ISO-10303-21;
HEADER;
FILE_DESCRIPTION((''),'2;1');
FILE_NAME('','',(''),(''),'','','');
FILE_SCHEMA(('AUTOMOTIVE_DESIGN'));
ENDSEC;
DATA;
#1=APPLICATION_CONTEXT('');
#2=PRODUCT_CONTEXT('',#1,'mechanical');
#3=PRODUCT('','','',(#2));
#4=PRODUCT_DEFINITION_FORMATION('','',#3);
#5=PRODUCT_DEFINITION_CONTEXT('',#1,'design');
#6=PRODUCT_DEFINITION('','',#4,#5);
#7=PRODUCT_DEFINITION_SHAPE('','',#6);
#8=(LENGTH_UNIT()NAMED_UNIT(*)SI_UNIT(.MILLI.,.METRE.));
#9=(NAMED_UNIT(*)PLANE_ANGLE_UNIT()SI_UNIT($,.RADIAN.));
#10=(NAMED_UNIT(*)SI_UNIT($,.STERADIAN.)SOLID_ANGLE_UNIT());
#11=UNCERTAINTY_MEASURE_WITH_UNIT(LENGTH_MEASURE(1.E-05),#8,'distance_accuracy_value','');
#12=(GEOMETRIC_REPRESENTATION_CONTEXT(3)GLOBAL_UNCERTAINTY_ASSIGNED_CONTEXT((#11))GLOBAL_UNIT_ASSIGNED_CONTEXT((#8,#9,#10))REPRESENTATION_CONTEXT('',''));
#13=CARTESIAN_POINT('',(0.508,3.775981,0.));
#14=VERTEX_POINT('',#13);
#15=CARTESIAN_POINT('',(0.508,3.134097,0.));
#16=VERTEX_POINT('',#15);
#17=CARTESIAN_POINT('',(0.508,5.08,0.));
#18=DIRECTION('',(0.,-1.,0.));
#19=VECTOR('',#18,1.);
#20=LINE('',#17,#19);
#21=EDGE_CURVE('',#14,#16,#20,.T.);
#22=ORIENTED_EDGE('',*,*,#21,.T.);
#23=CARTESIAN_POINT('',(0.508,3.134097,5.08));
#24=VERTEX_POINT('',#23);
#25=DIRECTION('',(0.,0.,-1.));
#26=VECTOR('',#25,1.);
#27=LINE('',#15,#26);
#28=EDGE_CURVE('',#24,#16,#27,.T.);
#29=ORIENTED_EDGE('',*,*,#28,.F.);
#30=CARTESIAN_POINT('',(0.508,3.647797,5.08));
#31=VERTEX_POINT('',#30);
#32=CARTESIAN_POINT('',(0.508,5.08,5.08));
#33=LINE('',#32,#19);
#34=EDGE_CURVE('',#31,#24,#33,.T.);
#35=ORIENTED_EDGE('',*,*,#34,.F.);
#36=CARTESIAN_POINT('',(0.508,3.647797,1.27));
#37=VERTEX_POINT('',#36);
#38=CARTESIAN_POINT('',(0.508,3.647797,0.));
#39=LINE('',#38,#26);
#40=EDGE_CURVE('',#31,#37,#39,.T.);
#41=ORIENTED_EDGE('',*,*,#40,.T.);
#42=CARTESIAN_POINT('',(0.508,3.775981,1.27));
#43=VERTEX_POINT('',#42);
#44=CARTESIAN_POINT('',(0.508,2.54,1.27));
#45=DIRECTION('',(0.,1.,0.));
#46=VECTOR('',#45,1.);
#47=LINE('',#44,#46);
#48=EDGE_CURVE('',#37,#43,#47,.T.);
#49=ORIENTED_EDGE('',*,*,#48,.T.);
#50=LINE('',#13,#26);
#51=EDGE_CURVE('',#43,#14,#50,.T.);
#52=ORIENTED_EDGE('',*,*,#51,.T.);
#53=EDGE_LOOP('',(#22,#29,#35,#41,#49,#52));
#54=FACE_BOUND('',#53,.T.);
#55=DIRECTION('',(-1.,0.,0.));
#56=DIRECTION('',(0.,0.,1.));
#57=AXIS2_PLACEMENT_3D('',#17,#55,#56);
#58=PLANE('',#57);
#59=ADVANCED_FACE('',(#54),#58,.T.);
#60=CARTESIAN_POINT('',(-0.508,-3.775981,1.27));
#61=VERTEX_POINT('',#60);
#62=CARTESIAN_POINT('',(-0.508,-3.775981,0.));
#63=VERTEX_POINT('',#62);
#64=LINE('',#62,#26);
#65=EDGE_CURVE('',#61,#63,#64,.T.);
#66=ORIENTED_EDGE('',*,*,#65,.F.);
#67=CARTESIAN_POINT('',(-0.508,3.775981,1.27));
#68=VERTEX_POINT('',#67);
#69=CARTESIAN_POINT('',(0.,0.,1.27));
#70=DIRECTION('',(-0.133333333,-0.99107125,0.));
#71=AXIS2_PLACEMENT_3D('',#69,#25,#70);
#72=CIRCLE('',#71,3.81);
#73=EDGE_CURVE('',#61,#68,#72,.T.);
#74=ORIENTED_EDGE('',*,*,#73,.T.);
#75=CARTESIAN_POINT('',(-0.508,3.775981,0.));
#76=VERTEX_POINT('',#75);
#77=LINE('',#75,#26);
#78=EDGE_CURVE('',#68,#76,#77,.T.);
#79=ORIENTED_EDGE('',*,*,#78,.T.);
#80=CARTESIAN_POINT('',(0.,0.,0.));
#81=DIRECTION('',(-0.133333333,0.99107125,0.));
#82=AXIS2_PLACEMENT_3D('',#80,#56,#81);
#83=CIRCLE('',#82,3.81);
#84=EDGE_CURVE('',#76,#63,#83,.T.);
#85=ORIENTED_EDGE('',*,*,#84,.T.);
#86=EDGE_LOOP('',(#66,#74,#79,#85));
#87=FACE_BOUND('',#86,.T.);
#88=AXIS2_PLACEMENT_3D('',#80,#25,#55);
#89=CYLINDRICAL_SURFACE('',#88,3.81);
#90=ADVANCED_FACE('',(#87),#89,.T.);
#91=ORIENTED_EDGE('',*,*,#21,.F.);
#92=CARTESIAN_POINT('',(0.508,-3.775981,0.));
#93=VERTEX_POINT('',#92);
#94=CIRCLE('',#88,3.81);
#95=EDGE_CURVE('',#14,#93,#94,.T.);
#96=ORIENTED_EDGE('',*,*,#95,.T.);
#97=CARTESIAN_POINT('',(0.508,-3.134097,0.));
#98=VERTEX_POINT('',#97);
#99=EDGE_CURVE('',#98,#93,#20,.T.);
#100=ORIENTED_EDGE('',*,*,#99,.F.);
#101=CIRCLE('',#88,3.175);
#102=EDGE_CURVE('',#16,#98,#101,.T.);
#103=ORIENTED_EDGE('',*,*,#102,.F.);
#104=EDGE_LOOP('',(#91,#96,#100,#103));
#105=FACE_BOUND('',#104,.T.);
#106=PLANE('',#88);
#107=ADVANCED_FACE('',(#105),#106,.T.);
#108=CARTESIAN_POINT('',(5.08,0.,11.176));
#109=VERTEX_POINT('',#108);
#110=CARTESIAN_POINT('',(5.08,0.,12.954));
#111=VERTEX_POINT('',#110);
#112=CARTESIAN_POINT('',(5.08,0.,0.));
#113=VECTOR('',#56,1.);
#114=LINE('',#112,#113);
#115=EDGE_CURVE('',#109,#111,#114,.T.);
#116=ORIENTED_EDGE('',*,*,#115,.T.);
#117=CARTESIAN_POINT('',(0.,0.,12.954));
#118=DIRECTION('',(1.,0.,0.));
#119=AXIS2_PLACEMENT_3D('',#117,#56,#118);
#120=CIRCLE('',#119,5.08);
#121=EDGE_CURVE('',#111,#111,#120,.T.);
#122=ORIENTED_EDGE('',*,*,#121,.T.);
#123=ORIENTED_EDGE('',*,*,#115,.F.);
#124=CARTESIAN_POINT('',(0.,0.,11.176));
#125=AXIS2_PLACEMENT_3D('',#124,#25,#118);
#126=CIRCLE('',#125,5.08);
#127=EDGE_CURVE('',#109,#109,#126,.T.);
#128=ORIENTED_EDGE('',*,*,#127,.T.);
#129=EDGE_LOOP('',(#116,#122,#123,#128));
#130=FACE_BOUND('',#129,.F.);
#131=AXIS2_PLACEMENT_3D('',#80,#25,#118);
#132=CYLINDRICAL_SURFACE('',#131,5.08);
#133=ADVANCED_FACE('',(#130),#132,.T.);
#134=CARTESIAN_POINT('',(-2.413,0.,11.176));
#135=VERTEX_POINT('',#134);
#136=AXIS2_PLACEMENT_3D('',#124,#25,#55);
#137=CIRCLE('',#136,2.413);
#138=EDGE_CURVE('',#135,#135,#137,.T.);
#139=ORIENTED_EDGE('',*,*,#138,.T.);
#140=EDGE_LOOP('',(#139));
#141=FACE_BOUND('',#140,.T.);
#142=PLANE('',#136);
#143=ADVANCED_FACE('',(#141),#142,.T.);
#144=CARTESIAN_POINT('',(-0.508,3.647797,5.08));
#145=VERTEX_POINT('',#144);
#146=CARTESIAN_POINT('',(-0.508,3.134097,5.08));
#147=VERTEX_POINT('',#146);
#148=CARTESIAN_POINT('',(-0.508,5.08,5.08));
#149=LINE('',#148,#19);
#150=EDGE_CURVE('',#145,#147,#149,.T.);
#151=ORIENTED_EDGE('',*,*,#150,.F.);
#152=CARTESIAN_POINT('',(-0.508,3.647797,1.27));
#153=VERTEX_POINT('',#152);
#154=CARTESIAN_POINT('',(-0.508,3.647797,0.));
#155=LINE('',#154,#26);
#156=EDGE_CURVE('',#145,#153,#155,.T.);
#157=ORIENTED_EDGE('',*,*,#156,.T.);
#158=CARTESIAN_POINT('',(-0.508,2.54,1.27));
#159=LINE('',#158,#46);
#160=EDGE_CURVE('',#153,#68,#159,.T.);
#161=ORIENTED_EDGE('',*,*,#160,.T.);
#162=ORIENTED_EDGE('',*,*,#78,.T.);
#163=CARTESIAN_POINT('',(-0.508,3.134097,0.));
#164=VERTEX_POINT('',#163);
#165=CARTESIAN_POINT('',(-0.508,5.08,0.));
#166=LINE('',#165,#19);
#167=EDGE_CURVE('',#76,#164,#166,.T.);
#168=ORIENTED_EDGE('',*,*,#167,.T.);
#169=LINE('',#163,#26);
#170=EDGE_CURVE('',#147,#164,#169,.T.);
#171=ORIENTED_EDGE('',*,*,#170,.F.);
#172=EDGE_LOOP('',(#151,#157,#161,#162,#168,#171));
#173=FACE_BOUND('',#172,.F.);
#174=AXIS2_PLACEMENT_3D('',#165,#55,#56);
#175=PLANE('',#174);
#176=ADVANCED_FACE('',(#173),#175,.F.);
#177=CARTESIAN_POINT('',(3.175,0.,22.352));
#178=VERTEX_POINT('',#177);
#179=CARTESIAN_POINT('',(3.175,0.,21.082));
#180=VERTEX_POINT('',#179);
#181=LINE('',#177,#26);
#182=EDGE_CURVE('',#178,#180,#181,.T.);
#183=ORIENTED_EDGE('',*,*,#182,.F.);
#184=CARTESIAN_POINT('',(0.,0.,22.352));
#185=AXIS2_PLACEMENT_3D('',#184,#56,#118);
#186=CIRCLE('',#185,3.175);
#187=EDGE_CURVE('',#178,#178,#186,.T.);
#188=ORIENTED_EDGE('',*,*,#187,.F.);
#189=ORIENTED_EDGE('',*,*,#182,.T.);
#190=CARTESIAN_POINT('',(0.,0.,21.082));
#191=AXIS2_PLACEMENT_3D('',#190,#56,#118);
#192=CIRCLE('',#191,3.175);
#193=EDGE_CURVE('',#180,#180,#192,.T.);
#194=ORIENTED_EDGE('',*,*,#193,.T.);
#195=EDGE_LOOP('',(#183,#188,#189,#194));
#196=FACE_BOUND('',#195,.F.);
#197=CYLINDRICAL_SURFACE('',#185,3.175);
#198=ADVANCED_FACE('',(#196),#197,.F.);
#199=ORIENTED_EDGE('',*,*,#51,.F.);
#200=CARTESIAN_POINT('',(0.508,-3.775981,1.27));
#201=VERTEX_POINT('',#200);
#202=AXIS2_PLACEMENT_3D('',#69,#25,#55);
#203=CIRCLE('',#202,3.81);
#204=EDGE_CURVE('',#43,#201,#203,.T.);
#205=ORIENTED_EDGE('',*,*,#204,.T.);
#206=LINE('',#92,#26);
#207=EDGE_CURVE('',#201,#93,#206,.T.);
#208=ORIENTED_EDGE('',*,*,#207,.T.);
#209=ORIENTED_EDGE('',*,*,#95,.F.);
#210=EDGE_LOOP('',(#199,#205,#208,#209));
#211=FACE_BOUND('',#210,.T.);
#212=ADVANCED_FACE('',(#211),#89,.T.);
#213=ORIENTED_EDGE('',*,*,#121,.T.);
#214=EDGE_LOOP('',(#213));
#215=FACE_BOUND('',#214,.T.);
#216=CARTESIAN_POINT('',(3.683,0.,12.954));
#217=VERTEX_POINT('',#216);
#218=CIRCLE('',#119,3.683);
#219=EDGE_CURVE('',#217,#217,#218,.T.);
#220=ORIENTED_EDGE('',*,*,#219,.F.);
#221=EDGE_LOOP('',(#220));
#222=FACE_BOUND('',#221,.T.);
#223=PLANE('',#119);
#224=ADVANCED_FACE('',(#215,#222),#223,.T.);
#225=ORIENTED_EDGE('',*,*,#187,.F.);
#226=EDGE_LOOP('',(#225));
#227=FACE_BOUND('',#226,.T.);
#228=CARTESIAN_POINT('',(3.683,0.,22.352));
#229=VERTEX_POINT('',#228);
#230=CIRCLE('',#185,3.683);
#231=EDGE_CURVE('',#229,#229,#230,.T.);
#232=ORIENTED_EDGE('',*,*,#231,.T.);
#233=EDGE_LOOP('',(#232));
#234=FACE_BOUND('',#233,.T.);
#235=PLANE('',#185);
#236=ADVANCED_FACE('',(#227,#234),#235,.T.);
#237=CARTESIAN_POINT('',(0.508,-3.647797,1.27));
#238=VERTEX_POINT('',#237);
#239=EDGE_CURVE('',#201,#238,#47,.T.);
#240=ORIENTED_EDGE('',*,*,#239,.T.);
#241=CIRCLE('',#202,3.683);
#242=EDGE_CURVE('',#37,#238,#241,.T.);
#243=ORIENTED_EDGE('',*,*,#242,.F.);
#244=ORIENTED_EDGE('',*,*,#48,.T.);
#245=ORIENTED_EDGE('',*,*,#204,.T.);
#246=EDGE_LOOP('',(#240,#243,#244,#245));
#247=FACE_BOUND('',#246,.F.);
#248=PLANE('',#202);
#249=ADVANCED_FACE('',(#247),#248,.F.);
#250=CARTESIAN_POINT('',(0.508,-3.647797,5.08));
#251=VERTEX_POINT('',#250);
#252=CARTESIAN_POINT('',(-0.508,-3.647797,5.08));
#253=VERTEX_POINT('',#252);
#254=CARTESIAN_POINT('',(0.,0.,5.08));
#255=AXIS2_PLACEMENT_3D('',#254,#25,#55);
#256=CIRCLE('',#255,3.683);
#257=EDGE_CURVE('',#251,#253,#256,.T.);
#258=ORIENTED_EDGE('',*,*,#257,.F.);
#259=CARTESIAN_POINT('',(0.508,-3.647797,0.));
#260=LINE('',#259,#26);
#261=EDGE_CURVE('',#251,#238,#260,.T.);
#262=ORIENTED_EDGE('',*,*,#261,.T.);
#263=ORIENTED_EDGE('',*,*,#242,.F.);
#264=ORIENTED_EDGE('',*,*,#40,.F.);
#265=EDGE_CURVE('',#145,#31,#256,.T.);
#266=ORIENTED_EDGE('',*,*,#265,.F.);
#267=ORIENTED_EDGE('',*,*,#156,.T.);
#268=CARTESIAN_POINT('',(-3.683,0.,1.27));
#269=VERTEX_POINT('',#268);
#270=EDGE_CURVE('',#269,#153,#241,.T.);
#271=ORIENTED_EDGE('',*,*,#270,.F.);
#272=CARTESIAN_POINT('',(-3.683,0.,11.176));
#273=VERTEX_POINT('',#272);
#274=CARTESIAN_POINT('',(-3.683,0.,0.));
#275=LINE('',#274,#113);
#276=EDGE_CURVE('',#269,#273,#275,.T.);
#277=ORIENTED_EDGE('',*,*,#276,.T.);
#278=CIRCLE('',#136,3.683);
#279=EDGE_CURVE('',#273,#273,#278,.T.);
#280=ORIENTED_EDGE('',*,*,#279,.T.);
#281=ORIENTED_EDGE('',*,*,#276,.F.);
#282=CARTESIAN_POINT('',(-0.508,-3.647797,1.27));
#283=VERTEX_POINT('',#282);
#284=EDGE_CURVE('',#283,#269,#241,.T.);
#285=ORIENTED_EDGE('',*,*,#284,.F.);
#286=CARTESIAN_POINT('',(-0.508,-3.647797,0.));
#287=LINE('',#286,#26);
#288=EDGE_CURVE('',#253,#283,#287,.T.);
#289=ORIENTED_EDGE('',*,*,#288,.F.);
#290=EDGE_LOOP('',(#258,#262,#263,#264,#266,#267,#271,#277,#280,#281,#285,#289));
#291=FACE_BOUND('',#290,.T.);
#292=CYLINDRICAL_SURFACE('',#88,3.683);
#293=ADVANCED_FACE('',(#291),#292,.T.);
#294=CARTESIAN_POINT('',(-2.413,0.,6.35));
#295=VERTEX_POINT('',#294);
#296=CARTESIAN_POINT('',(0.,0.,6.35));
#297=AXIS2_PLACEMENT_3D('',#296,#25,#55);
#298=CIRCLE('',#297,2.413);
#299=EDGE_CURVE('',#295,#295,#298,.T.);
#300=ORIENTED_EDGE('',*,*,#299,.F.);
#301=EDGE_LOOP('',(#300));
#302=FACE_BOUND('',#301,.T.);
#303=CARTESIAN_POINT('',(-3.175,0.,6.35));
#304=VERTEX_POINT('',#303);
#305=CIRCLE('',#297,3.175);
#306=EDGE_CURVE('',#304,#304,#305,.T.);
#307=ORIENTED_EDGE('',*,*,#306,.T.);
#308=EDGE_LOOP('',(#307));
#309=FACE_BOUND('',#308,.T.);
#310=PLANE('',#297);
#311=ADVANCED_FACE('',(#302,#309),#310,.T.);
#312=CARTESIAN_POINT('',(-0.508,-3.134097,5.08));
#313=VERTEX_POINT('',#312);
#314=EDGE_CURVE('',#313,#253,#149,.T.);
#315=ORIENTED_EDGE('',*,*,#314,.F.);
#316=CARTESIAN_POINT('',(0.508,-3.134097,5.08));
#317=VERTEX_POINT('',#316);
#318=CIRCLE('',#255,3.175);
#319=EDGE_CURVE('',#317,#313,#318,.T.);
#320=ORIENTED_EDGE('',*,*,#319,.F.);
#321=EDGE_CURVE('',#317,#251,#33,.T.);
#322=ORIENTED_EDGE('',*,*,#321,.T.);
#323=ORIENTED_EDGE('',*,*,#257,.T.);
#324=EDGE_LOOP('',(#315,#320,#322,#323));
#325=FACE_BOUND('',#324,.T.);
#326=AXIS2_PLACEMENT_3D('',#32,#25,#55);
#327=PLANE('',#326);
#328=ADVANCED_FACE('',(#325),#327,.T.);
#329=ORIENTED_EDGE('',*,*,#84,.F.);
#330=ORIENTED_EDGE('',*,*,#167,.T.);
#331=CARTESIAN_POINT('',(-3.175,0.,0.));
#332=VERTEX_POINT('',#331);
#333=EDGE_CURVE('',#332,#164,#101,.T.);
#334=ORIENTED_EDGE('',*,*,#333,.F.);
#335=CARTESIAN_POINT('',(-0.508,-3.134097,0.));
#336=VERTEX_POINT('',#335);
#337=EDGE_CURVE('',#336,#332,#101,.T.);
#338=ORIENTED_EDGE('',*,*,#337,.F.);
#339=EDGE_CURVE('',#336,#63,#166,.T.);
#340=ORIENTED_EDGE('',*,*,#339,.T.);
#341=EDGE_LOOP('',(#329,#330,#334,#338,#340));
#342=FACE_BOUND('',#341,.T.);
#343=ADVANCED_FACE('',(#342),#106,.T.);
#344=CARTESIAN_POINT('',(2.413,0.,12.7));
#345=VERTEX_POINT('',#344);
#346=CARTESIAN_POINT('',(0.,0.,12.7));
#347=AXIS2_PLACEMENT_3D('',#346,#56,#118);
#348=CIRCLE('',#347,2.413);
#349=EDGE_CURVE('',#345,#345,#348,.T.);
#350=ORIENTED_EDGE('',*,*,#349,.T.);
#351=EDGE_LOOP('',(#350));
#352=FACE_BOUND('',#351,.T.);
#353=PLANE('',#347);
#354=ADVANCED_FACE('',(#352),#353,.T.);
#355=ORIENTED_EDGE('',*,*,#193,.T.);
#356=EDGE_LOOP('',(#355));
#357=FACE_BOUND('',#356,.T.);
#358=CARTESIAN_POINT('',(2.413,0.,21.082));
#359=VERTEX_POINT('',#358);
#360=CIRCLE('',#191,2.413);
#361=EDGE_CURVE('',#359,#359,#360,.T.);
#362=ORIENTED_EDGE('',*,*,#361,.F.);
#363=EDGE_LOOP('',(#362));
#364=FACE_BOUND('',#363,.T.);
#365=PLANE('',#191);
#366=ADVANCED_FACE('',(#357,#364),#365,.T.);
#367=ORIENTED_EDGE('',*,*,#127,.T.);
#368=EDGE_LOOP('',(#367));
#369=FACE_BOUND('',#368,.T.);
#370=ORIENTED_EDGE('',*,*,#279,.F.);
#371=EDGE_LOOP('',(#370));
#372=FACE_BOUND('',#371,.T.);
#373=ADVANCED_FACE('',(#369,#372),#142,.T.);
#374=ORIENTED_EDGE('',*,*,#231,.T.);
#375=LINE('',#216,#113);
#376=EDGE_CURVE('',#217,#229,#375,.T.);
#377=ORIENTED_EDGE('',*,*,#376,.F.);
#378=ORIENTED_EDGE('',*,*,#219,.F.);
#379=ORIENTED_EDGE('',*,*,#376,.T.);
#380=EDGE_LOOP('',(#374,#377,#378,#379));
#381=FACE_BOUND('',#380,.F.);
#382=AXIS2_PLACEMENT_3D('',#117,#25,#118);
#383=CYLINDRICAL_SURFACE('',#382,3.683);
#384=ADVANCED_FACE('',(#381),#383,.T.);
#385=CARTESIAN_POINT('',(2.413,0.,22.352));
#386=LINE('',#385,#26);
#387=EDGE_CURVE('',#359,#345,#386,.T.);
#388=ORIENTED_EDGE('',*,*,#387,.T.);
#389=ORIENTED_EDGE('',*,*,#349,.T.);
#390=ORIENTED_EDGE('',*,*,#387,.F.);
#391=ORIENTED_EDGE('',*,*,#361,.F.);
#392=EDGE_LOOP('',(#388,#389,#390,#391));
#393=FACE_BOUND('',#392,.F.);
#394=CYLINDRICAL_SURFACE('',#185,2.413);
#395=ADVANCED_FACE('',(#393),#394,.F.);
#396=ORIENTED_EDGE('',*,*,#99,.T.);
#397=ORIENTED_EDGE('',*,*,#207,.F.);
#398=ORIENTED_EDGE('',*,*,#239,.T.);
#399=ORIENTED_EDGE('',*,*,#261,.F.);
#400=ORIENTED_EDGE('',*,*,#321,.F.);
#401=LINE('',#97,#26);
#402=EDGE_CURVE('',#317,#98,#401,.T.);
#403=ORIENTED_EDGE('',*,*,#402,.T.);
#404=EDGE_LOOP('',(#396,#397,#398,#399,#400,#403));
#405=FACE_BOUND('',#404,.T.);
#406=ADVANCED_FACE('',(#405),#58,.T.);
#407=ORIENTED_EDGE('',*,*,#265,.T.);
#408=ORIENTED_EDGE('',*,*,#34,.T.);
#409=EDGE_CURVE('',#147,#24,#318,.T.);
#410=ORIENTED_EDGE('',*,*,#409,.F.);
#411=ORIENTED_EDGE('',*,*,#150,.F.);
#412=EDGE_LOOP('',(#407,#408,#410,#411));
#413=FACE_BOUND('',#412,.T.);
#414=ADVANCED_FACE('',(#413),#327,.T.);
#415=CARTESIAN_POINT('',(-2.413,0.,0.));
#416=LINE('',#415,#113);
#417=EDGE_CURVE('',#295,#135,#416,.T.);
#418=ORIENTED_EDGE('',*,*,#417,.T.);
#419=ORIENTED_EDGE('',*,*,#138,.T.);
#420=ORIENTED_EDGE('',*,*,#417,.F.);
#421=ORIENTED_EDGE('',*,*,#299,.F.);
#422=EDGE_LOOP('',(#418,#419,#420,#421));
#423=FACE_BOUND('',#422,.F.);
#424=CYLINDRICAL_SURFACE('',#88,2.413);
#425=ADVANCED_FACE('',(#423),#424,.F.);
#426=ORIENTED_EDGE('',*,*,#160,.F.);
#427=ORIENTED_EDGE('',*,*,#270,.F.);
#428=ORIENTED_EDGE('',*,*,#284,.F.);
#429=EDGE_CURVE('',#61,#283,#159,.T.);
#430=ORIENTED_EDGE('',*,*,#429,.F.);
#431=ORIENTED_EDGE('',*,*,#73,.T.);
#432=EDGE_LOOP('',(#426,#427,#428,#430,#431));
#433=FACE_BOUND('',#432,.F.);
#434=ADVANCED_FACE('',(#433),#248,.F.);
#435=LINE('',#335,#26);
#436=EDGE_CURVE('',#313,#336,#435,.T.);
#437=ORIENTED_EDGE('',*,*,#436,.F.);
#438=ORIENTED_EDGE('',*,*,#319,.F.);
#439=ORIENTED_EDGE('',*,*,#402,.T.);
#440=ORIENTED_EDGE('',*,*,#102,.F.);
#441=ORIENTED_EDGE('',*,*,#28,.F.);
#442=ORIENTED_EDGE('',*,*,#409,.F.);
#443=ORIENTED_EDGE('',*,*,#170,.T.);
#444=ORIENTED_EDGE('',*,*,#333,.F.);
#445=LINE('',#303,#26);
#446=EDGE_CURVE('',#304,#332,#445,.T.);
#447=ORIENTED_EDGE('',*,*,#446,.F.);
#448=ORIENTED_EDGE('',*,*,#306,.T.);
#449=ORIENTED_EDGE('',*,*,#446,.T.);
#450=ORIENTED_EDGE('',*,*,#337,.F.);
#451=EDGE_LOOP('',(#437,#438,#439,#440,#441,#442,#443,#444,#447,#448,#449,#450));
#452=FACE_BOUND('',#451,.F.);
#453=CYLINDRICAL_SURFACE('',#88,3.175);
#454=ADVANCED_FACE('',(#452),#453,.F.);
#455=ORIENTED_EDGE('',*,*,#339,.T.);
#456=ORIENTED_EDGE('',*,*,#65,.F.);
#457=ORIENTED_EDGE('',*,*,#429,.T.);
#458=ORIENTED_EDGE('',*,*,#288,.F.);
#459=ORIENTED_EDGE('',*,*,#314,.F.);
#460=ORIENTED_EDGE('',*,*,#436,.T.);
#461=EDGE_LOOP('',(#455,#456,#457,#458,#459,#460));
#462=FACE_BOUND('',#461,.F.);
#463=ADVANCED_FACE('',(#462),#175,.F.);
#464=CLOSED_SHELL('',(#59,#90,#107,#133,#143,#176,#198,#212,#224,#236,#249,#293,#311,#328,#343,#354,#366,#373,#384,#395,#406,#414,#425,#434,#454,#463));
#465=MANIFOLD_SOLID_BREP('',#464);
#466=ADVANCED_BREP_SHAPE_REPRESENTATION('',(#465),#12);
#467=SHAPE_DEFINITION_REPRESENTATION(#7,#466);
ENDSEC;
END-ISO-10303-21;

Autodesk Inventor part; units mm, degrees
ref_plane "YZ Plane" through (0, 0, 0) normal (1, 0, 0) x (0, 1, 0)
ref_plane "XY Plane" through (0, 0, 0) normal (0, 0, 1) x (1, 0, 0)
sketch "Sketch1" plane through (0, 0, 0) normal (0, 0, 1) x (1, 0, 0)
  circle A0 centre (0, 0) radius 5.08
  dimension "d0" = 10.16
extrude "Extrusion1" add sketch "Sketch1" along normal blind 12.954
sketch "Sketch2" plane through (0, 0, 12.954) normal (0, 0, 1) x (1, 0, 0)
  circle A0 centre (0, 0) radius 3.683
  dimension "d3" = 7.366
extrude "Extrusion2" add sketch "Sketch2" along normal blind 9.398
sketch "Sketch4" plane through (0, 0, 22.352) normal (0, 0, 1) x (1, 0, 0)
  circle A0 centre (0, 0) radius 2.413
  dimension "d9" = 4.826
extrude "Extrusion3" cut sketch "Sketch4" against normal blind 9.652
sketch "Sketch5" plane through (0, 0, 22.352) normal (0, 0, 1) x (1, 0, 0)
  circle A0 centre (0, 0) radius 3.175
  dimension "d12" = 6.35
extrude "Extrusion4" cut sketch "Sketch5" against normal blind 1.27
sketch "Sketch6" plane through (0, 0, 0) normal (0, 0, -1) x (-1, 0, 0)
  circle A0 centre (0, 0) radius 2.413
  dimension "d15" = 4.826
extrude "Extrusion5" cut sketch "Sketch6" against normal blind 11.176
sketch "Sketch7" plane through (0, 0, 0) normal (0, 0, -1) x (-1, 0, 0)
  circle A0 centre (0, 0) radius 3.175
  dimension "d18" = 6.35
extrude "Extrusion6" cut sketch "Sketch7" against normal blind 6.35
sketch "Sketch8" plane through (0, 0, 0) normal (0, 0, -1) x (-1, 0, 0)
  circle A0 centre (0, 0) radius 3.683
  circle A1 centre (0, 0) radius 5.2614
  dimension "d21" = 7.366
extrude "Extrusion7" cut sketch "Sketch8" against normal blind 11.176
sketch "Sketch9" plane through (0, 0, 0) normal (0, 0, -1) x (-1, 0, 0)
  circle A0 centre (0, 0) radius 3.81
  dimension "d24" = 7.62
extrude "Extrusion8" add sketch "Sketch9" against normal blind 1.27
sketch "Sketch10" plane through (0, 0, 0) normal (0, 0, -1) x (-1, 0, 0)
  circle A0 centre (0, 0) radius 3.175
extrude "Extrusion9" cut sketch "Sketch10" against normal blind 1.27
ref_plane "Work Plane1" through (0, 5.08, 0) normal (0, 1, 0) x (-1, 0, 0)
sketch "Sketch13" plane through (0, 5.08, 0) normal (0, 1, 0) x (-1, 0, 0)
  line L0 (0, 0) -> (-0.508, 0)
  line L1 (-0.508, 0) -> (-0.508, 5.08)
  line L2 (-0.508, 5.08) -> (0, 5.08)
  line L3 (0, 5.08) -> (0, 0)
  line L4 (0, 0) -> (0.508, 0)
  line L5 (0.508, 0) -> (0.508, 5.08)
  line L6 (0.508, 5.08) -> (0, 5.08)
  line L7 (0, 5.08) -> (0, 0)
  dimension "d30" = 5.08
  dimension "d31" = 0.508
  dimension "d32" = 0.508
  dimension "d33" = 5.08
extrude "Extrusion10" cut sketch "Sketch13" against normal blind 10.16
properties part number "axle"
